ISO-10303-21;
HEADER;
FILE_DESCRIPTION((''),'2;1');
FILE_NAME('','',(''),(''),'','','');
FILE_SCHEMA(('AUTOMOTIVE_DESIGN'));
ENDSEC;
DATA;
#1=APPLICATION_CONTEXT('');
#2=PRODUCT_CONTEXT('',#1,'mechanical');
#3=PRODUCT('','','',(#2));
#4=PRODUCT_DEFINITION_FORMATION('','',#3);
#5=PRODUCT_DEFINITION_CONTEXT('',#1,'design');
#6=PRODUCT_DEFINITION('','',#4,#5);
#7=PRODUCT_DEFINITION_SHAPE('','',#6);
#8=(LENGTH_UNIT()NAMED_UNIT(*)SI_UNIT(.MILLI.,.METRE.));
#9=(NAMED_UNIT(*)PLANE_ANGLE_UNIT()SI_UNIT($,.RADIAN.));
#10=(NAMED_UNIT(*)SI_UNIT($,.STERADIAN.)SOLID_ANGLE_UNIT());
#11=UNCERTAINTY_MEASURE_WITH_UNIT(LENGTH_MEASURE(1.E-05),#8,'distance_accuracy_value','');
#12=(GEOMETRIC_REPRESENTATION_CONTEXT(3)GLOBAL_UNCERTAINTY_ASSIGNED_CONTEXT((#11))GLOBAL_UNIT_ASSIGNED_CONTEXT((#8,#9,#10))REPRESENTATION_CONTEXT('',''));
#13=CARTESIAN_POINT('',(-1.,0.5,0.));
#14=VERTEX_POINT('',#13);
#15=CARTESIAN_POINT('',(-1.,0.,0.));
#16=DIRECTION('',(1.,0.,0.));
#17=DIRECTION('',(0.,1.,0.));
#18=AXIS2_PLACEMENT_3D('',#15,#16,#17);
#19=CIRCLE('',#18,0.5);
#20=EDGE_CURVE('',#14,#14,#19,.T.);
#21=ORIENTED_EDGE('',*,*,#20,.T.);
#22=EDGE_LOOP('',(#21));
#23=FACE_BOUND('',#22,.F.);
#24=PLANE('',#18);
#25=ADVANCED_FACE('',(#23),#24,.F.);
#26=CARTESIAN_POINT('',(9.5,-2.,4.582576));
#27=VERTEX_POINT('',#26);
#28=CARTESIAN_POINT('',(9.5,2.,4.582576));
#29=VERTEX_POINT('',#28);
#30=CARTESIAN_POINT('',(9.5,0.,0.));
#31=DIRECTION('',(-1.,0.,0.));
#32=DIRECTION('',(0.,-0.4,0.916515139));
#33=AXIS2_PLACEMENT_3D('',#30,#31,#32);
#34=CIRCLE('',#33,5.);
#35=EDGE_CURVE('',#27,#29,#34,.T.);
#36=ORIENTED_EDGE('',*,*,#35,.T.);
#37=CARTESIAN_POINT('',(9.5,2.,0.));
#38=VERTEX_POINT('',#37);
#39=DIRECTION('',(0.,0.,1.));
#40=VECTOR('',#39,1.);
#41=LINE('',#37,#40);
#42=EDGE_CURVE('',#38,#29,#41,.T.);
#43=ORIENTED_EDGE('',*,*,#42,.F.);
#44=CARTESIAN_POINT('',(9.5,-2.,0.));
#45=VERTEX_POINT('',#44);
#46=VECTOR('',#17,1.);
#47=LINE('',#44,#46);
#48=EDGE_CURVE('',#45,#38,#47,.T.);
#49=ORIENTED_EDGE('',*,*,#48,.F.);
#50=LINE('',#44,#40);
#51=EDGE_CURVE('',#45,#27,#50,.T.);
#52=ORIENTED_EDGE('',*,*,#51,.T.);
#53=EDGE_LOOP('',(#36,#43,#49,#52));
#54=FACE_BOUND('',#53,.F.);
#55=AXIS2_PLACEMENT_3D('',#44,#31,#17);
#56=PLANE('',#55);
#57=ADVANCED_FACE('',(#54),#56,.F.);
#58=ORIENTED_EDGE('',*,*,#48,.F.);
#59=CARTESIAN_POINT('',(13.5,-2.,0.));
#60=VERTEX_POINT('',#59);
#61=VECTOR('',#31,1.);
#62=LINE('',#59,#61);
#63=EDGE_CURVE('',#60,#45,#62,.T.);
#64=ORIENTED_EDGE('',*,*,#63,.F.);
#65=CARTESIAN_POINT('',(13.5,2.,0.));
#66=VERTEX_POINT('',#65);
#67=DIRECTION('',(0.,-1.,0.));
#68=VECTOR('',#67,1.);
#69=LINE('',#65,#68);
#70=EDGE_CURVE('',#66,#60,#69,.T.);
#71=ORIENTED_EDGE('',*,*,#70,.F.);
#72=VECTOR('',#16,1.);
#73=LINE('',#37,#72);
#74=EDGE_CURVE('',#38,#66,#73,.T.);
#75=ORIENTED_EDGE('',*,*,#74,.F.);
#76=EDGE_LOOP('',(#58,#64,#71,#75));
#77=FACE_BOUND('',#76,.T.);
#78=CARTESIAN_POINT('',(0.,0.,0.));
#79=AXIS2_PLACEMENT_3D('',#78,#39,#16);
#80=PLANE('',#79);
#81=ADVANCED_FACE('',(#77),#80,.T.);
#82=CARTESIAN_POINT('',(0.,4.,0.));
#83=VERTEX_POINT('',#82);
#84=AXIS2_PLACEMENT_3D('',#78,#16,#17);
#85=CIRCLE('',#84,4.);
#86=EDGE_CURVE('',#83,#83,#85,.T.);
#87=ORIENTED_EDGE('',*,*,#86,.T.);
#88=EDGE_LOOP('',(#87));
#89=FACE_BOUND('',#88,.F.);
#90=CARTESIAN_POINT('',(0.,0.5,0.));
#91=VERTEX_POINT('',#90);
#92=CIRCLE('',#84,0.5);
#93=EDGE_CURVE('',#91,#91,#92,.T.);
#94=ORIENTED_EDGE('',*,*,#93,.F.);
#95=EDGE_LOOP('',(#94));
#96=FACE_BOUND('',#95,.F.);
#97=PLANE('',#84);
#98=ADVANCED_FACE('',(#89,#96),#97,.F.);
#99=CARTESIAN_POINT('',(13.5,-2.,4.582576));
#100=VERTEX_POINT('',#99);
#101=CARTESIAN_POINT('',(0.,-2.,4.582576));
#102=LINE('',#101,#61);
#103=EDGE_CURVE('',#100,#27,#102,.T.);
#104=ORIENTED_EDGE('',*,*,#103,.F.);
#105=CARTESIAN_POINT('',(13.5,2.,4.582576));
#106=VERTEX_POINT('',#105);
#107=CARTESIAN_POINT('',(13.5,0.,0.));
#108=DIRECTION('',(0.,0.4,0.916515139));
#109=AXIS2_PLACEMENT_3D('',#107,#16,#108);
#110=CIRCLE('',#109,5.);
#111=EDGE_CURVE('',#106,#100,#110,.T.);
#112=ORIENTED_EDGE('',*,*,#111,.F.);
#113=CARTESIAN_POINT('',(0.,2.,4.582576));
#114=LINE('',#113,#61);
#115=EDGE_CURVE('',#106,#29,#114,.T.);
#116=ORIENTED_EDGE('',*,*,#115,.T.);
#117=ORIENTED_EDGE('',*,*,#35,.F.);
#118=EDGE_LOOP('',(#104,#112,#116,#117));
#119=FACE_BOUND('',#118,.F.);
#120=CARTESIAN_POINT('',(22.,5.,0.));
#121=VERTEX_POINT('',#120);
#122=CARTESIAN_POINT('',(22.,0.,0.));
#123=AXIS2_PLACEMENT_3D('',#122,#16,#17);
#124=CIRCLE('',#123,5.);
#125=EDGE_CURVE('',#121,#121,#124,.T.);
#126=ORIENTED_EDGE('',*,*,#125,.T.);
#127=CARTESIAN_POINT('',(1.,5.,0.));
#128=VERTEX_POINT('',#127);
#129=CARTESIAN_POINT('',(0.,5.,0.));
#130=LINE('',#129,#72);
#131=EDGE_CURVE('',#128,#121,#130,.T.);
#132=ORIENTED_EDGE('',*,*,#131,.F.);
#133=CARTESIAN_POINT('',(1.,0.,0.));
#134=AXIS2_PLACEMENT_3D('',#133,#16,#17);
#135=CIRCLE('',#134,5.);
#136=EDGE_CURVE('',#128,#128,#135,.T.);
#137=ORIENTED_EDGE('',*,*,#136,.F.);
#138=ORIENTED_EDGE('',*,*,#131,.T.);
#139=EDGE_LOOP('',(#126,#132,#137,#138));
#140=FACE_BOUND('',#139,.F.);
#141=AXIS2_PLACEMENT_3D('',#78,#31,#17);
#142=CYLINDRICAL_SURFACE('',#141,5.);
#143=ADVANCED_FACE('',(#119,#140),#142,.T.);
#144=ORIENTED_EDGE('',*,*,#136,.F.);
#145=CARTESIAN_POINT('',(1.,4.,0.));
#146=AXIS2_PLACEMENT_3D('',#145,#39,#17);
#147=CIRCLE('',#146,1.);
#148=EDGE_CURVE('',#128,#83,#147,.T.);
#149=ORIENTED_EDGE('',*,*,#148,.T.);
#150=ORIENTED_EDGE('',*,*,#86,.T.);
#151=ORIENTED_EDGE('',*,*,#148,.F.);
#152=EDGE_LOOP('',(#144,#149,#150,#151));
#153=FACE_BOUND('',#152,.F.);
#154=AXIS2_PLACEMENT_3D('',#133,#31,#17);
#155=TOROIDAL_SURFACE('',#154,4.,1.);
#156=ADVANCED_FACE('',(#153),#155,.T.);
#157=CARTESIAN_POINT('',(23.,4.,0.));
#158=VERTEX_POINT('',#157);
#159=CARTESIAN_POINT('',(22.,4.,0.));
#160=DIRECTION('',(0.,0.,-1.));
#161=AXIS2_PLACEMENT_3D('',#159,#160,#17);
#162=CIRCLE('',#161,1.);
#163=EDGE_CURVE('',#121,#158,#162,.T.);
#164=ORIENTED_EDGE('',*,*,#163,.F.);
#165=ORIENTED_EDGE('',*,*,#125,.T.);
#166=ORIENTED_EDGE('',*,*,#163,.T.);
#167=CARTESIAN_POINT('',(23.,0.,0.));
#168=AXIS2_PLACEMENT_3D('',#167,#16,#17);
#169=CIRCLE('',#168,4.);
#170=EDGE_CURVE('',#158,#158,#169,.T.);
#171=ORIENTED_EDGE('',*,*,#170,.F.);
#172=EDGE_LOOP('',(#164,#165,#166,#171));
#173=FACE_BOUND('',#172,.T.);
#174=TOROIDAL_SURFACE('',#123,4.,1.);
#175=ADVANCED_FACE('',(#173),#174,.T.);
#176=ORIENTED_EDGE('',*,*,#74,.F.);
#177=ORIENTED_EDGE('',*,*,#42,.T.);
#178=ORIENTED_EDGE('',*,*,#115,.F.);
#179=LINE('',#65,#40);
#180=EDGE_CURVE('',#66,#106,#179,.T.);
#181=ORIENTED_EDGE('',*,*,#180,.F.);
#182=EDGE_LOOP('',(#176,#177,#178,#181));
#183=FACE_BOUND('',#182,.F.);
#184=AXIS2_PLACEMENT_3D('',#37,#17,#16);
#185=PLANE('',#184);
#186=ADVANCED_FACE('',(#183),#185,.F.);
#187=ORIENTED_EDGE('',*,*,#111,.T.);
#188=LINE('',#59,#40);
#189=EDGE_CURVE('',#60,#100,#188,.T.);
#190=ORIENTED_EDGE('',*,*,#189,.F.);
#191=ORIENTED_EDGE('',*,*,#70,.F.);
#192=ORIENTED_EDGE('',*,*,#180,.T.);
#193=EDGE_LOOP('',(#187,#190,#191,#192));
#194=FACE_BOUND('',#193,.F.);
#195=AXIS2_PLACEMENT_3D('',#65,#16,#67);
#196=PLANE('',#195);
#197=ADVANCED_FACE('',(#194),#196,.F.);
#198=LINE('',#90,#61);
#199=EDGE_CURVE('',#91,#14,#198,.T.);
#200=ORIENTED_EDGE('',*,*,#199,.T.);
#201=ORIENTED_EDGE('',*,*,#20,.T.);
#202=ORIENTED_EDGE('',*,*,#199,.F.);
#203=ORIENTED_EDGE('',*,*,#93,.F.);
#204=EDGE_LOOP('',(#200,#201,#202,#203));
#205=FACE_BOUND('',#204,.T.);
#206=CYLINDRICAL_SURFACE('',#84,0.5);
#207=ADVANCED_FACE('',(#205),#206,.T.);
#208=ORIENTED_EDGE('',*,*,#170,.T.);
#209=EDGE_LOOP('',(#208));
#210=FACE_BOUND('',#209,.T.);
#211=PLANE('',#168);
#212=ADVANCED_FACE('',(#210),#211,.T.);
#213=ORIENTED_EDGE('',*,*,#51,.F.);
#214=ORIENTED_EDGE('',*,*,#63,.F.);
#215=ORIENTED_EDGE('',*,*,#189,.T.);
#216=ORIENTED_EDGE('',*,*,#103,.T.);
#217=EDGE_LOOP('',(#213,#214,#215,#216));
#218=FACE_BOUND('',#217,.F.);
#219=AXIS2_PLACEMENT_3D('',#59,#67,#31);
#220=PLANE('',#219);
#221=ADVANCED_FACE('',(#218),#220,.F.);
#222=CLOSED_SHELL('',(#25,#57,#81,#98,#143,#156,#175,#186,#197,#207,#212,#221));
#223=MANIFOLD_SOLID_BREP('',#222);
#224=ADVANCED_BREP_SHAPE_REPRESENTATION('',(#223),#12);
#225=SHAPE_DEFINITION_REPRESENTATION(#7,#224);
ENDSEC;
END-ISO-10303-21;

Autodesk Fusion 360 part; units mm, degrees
sketch "Sketch1" plane through (0, 0, 0) normal (1, 0, 0) x (0, 1, 0)
  circle A0 centre (0, 0) radius 5
  circle A1 centre (0, 0) radius 0.5
  dimension "d1" = 10
  dimension "d2" = 1
extrude "Extrude1" add sketch "Sketch1" along normal blind 23 contours A0 | A1
extrude "Extrude2" add sketch "Sketch1" against normal blind 1 contours A1
fillet "Fillet1" radius 1 2 edges at (0, -4.6616, -1.8081) (23, -4.6616, -1.8081)
sketch "Sketch2" plane through (0, 0, 0) normal (0, 0, 1) x (1, 0, 0)
  line L0 (0, 15) -> (0, -10) construction
  line L1 (11.5, 15) -> (11.5, -7) construction
  line L2 (-5, 0) -> (27.3814, 0) construction
  line L3 (9.5, 2) -> (13.5, 2)
  line L4 (13.5, 2) -> (13.5, -2)
  line L5 (13.5, -2) -> (9.5, -2)
  line L6 (9.5, -2) -> (9.5, 2)
  line L7 (9.5, 2) -> (13.5, -2) construction
  line L8 (13.5, 2) -> (9.5, -2) construction
  point P0 (11.5, 0)
  dimension "d9" = 11.5
  dimension "d10" = 4
  dimension "d11" = 4
extrude "Extrude3" cut sketch "Sketch2" along normal blind 5
